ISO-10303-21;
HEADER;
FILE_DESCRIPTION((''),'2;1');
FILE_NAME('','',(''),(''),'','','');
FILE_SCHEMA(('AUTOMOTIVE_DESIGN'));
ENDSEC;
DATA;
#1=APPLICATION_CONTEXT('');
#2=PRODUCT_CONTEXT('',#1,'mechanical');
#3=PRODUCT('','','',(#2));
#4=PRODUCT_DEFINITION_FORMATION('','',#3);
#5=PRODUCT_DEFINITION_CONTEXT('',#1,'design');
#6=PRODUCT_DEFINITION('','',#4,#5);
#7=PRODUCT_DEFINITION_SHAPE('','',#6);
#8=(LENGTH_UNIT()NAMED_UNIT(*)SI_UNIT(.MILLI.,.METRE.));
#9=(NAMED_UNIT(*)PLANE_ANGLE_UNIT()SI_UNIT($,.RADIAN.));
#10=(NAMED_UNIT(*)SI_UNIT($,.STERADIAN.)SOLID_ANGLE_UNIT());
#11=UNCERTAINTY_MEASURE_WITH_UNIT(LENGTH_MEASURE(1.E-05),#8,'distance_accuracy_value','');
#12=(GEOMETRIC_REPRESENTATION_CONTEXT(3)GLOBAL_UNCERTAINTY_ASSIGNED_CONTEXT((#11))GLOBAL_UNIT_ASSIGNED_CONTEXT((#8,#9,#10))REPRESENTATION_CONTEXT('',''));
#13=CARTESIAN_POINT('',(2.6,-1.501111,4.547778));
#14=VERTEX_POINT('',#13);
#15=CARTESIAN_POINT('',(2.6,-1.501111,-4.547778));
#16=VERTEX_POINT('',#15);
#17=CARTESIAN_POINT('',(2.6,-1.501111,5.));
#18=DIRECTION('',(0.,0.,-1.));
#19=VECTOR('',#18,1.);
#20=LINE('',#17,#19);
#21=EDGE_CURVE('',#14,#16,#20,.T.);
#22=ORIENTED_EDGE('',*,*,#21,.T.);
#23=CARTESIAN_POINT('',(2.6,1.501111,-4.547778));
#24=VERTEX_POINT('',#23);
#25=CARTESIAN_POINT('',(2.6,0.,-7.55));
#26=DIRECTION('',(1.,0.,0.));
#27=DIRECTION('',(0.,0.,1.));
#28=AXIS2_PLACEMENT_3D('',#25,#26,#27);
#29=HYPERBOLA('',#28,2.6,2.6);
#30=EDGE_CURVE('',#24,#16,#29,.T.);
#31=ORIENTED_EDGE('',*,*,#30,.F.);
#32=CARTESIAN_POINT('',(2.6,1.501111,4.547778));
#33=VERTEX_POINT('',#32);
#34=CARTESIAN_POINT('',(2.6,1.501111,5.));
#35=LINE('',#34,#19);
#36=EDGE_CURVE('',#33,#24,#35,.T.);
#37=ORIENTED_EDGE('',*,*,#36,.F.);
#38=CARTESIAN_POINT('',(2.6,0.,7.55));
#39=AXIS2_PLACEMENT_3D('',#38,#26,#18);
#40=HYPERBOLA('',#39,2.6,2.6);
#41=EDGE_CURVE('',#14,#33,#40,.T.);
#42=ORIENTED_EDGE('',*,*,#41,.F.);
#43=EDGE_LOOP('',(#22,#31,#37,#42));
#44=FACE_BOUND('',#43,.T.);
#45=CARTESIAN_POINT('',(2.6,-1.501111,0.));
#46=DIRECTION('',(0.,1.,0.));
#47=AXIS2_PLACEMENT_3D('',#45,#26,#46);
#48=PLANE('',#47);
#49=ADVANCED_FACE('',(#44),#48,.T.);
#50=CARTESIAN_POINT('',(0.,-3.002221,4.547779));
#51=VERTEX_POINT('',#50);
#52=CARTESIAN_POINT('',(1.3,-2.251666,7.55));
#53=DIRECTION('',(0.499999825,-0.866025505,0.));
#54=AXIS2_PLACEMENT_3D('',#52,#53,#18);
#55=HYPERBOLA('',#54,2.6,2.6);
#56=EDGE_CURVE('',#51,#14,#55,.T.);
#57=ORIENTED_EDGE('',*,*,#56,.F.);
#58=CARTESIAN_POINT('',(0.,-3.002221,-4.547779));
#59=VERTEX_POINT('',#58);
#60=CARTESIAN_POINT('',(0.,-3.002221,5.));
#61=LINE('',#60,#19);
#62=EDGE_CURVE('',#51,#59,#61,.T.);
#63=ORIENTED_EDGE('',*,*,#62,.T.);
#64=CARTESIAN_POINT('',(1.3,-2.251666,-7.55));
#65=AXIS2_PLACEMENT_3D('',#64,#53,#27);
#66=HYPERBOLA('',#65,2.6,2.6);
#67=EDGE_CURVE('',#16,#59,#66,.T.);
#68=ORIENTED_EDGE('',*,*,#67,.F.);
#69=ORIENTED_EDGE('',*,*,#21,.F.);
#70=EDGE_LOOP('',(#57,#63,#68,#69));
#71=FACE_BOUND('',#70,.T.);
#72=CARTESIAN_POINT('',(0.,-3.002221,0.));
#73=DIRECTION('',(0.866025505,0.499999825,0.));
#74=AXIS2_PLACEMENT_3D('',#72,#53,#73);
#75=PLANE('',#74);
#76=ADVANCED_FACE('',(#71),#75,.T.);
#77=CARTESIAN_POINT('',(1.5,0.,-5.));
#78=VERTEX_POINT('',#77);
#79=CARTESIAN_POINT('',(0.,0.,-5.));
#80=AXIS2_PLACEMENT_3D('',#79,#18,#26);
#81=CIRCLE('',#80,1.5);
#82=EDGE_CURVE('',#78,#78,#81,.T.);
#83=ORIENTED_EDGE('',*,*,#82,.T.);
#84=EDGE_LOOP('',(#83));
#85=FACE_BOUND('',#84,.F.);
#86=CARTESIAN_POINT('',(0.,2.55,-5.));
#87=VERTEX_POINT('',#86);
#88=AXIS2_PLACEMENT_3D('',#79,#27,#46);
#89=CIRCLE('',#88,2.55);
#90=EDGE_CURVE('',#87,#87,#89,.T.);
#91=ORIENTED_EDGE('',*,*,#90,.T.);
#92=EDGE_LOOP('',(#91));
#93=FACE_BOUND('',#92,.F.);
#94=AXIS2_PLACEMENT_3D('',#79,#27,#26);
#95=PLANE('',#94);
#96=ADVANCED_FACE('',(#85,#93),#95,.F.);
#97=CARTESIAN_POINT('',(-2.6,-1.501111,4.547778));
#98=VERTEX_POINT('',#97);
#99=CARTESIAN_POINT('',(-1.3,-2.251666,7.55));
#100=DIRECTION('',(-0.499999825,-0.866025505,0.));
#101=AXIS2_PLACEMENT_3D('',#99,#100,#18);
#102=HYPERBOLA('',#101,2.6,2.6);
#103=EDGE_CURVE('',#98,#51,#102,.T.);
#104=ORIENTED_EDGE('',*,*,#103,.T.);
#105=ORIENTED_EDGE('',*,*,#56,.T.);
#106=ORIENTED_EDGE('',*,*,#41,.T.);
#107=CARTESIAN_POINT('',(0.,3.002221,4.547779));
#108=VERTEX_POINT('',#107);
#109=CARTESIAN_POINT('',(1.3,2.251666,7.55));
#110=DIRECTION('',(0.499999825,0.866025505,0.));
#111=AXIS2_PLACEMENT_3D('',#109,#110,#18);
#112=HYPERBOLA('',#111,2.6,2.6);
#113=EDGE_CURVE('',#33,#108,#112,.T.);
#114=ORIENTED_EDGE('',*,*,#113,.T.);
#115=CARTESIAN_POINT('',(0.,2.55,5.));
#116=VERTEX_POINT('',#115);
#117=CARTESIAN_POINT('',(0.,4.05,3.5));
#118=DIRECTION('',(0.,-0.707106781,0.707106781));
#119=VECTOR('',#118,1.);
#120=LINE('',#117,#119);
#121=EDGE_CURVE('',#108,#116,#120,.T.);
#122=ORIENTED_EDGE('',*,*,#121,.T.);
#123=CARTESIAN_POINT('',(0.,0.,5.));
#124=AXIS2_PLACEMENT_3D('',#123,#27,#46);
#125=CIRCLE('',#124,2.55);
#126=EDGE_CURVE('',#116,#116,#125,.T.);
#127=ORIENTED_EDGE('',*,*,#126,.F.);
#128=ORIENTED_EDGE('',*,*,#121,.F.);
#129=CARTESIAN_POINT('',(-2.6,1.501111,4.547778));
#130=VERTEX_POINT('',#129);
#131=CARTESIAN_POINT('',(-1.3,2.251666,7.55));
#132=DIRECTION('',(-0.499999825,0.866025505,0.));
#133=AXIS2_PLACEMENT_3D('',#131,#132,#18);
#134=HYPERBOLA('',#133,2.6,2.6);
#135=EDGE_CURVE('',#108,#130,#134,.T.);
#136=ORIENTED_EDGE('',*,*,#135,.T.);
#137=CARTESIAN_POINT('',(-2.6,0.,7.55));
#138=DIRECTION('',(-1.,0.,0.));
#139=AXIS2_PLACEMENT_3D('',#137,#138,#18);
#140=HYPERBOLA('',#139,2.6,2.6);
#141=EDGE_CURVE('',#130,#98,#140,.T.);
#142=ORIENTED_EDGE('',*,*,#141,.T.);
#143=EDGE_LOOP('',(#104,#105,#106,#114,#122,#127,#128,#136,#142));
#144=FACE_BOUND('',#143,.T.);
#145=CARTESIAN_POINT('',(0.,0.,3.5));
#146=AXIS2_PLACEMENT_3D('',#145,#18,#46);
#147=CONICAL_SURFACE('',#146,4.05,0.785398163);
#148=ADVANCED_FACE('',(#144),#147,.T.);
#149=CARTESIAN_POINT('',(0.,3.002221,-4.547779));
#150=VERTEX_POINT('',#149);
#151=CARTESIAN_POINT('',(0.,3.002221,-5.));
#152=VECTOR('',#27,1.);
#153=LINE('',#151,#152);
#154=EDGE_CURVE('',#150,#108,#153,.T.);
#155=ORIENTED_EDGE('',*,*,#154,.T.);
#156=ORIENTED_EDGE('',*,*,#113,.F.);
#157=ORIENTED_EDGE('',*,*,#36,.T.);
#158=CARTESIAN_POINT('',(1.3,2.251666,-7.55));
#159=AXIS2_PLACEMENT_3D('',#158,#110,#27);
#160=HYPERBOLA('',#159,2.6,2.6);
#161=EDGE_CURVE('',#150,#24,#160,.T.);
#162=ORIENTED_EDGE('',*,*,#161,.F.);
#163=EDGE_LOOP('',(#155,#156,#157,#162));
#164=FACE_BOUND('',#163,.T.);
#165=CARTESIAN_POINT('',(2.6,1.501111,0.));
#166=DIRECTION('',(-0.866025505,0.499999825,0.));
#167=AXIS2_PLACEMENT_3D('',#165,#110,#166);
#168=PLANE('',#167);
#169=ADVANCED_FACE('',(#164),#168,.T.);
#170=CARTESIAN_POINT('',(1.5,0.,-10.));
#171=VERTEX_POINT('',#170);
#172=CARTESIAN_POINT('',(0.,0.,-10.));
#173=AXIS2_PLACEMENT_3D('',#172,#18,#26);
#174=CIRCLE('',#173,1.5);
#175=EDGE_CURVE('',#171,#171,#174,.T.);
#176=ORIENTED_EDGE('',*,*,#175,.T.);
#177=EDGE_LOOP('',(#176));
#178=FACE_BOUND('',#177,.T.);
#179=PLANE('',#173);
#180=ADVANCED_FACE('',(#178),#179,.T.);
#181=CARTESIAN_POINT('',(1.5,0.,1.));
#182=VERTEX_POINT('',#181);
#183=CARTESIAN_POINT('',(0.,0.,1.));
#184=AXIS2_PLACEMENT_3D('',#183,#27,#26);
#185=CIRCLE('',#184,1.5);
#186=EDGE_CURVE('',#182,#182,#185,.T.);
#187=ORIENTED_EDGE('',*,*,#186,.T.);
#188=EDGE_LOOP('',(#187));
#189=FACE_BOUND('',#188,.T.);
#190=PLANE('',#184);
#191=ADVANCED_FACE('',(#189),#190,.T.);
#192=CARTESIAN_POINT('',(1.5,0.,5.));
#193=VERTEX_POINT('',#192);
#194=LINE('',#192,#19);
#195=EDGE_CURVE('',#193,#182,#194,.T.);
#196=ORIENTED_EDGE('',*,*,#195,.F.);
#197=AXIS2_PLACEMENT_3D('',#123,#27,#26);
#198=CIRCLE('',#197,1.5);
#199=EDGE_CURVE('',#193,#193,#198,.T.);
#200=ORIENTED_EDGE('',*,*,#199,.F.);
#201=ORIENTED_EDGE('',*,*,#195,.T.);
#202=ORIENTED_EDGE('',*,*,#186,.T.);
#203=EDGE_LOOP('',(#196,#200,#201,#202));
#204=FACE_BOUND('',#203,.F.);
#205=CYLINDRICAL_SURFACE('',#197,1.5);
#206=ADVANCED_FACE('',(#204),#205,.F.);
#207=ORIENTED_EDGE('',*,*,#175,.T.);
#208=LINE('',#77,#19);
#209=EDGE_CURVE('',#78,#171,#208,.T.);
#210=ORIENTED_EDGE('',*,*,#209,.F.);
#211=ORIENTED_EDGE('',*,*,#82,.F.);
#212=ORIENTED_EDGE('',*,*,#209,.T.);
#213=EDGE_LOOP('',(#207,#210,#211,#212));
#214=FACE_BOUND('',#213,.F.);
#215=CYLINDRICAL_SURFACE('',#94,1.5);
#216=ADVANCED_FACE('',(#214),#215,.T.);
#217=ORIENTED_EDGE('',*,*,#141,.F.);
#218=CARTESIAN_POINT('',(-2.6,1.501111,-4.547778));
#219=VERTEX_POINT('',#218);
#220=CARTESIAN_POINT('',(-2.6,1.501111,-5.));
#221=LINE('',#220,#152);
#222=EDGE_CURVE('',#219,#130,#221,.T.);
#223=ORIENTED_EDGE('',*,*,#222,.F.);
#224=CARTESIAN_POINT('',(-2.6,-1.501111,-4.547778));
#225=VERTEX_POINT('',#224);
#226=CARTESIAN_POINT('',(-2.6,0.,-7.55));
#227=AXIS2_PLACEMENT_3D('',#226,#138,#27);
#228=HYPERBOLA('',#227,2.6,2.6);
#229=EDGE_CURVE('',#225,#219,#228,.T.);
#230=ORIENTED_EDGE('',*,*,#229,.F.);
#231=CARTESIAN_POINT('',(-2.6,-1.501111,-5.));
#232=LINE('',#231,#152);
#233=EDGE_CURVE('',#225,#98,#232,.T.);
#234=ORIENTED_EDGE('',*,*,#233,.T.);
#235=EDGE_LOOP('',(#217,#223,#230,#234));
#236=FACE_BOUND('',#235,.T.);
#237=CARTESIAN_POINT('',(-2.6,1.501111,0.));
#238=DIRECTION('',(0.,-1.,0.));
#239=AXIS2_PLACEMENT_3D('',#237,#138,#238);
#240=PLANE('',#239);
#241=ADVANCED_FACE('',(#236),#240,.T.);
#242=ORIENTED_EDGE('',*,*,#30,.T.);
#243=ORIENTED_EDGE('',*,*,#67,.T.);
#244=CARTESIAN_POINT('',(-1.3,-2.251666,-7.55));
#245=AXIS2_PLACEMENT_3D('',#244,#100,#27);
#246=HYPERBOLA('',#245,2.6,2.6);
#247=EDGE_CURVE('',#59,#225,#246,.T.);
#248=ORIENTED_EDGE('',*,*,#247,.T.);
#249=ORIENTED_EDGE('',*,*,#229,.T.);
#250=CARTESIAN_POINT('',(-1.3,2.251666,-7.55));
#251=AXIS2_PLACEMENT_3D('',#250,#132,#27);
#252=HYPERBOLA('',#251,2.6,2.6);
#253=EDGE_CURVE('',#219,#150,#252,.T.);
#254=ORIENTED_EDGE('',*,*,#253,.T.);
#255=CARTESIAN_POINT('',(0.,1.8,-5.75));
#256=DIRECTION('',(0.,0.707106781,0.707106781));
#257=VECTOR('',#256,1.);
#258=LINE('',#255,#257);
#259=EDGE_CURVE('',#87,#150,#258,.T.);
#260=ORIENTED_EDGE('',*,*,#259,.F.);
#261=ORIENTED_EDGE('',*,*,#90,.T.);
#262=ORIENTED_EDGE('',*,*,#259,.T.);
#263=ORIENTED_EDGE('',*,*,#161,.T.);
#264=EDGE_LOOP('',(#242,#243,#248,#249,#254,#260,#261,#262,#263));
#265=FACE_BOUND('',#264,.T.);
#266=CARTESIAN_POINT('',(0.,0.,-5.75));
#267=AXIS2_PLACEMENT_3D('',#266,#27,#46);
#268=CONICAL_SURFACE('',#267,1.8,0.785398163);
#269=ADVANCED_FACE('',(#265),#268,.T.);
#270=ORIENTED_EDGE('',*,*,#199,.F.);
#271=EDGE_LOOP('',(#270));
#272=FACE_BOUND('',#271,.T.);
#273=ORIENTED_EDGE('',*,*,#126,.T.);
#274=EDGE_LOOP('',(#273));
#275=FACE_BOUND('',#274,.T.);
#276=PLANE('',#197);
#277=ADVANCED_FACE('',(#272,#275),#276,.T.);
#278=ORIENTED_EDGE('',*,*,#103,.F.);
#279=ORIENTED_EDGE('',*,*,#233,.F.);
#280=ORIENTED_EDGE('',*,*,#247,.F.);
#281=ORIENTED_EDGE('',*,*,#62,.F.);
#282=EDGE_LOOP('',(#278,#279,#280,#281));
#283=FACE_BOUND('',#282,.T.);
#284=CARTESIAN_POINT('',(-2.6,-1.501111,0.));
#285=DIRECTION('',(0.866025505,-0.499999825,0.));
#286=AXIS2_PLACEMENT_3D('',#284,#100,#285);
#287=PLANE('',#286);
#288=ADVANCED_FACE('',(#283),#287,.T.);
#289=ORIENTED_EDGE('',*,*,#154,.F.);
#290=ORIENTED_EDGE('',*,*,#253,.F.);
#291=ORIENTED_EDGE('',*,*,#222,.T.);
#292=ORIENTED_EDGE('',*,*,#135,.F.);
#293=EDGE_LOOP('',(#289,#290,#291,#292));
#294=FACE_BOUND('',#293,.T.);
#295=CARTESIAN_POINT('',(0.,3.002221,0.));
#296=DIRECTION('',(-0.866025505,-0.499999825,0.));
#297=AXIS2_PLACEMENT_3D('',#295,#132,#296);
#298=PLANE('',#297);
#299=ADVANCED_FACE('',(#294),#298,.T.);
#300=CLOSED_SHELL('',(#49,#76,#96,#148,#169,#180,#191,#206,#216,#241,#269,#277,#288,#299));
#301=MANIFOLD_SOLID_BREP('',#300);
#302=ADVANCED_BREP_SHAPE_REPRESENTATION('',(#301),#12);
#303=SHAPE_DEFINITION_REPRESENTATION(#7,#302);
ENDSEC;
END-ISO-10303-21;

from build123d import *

# Parameters (mm, degrees)
PAD_DEPTH    = 5
SKETCH001_R  = 1.5
POCKET_DEPTH = 4
SKETCH004_R  = 1.5
PAD001_DEPTH = 5


with BuildPart() as part:
    # Sketch → Pad (new body, symmetric)
    with BuildSketch(Plane.XY):
        Polygon((2.6, 1.501111), (0, 3.002221), (-2.6, 1.501111), (-2.6, -1.501111), (0, -3.002221), (2.6, -1.501111), align=None)
    extrude(amount=PAD_DEPTH, both=True)

    # Sketch001 (on Face8 of Pad) → Pocket (cut)
    with BuildSketch(Plane.XY.offset(5)):
        Circle(SKETCH001_R)
    extrude(amount=-POCKET_DEPTH, mode=Mode.SUBTRACT)

    # Sketch004 (on Face4 of Pocket) → Pad001 (join)
    with BuildSketch(Plane(origin=(0, 0, -5), x_dir=(1, 0, 0), z_dir=(0, 0, -1))):
        Circle(SKETCH004_R)
    extrude(amount=PAD001_DEPTH)

    # Sketch005 → Groove (revolve, cut)
    with BuildSketch(Plane.YZ):
        Polygon((1.8, 5.75), (5.8, 5.75), (5.8, -5.75), (1.8, -5.75), (4.05, -3.5), (4.05, 3.5), align=None)
    revolve(axis=Axis((0, 0, 0), (0, 0, 1)), mode=Mode.SUBTRACT)


solid = part.part
